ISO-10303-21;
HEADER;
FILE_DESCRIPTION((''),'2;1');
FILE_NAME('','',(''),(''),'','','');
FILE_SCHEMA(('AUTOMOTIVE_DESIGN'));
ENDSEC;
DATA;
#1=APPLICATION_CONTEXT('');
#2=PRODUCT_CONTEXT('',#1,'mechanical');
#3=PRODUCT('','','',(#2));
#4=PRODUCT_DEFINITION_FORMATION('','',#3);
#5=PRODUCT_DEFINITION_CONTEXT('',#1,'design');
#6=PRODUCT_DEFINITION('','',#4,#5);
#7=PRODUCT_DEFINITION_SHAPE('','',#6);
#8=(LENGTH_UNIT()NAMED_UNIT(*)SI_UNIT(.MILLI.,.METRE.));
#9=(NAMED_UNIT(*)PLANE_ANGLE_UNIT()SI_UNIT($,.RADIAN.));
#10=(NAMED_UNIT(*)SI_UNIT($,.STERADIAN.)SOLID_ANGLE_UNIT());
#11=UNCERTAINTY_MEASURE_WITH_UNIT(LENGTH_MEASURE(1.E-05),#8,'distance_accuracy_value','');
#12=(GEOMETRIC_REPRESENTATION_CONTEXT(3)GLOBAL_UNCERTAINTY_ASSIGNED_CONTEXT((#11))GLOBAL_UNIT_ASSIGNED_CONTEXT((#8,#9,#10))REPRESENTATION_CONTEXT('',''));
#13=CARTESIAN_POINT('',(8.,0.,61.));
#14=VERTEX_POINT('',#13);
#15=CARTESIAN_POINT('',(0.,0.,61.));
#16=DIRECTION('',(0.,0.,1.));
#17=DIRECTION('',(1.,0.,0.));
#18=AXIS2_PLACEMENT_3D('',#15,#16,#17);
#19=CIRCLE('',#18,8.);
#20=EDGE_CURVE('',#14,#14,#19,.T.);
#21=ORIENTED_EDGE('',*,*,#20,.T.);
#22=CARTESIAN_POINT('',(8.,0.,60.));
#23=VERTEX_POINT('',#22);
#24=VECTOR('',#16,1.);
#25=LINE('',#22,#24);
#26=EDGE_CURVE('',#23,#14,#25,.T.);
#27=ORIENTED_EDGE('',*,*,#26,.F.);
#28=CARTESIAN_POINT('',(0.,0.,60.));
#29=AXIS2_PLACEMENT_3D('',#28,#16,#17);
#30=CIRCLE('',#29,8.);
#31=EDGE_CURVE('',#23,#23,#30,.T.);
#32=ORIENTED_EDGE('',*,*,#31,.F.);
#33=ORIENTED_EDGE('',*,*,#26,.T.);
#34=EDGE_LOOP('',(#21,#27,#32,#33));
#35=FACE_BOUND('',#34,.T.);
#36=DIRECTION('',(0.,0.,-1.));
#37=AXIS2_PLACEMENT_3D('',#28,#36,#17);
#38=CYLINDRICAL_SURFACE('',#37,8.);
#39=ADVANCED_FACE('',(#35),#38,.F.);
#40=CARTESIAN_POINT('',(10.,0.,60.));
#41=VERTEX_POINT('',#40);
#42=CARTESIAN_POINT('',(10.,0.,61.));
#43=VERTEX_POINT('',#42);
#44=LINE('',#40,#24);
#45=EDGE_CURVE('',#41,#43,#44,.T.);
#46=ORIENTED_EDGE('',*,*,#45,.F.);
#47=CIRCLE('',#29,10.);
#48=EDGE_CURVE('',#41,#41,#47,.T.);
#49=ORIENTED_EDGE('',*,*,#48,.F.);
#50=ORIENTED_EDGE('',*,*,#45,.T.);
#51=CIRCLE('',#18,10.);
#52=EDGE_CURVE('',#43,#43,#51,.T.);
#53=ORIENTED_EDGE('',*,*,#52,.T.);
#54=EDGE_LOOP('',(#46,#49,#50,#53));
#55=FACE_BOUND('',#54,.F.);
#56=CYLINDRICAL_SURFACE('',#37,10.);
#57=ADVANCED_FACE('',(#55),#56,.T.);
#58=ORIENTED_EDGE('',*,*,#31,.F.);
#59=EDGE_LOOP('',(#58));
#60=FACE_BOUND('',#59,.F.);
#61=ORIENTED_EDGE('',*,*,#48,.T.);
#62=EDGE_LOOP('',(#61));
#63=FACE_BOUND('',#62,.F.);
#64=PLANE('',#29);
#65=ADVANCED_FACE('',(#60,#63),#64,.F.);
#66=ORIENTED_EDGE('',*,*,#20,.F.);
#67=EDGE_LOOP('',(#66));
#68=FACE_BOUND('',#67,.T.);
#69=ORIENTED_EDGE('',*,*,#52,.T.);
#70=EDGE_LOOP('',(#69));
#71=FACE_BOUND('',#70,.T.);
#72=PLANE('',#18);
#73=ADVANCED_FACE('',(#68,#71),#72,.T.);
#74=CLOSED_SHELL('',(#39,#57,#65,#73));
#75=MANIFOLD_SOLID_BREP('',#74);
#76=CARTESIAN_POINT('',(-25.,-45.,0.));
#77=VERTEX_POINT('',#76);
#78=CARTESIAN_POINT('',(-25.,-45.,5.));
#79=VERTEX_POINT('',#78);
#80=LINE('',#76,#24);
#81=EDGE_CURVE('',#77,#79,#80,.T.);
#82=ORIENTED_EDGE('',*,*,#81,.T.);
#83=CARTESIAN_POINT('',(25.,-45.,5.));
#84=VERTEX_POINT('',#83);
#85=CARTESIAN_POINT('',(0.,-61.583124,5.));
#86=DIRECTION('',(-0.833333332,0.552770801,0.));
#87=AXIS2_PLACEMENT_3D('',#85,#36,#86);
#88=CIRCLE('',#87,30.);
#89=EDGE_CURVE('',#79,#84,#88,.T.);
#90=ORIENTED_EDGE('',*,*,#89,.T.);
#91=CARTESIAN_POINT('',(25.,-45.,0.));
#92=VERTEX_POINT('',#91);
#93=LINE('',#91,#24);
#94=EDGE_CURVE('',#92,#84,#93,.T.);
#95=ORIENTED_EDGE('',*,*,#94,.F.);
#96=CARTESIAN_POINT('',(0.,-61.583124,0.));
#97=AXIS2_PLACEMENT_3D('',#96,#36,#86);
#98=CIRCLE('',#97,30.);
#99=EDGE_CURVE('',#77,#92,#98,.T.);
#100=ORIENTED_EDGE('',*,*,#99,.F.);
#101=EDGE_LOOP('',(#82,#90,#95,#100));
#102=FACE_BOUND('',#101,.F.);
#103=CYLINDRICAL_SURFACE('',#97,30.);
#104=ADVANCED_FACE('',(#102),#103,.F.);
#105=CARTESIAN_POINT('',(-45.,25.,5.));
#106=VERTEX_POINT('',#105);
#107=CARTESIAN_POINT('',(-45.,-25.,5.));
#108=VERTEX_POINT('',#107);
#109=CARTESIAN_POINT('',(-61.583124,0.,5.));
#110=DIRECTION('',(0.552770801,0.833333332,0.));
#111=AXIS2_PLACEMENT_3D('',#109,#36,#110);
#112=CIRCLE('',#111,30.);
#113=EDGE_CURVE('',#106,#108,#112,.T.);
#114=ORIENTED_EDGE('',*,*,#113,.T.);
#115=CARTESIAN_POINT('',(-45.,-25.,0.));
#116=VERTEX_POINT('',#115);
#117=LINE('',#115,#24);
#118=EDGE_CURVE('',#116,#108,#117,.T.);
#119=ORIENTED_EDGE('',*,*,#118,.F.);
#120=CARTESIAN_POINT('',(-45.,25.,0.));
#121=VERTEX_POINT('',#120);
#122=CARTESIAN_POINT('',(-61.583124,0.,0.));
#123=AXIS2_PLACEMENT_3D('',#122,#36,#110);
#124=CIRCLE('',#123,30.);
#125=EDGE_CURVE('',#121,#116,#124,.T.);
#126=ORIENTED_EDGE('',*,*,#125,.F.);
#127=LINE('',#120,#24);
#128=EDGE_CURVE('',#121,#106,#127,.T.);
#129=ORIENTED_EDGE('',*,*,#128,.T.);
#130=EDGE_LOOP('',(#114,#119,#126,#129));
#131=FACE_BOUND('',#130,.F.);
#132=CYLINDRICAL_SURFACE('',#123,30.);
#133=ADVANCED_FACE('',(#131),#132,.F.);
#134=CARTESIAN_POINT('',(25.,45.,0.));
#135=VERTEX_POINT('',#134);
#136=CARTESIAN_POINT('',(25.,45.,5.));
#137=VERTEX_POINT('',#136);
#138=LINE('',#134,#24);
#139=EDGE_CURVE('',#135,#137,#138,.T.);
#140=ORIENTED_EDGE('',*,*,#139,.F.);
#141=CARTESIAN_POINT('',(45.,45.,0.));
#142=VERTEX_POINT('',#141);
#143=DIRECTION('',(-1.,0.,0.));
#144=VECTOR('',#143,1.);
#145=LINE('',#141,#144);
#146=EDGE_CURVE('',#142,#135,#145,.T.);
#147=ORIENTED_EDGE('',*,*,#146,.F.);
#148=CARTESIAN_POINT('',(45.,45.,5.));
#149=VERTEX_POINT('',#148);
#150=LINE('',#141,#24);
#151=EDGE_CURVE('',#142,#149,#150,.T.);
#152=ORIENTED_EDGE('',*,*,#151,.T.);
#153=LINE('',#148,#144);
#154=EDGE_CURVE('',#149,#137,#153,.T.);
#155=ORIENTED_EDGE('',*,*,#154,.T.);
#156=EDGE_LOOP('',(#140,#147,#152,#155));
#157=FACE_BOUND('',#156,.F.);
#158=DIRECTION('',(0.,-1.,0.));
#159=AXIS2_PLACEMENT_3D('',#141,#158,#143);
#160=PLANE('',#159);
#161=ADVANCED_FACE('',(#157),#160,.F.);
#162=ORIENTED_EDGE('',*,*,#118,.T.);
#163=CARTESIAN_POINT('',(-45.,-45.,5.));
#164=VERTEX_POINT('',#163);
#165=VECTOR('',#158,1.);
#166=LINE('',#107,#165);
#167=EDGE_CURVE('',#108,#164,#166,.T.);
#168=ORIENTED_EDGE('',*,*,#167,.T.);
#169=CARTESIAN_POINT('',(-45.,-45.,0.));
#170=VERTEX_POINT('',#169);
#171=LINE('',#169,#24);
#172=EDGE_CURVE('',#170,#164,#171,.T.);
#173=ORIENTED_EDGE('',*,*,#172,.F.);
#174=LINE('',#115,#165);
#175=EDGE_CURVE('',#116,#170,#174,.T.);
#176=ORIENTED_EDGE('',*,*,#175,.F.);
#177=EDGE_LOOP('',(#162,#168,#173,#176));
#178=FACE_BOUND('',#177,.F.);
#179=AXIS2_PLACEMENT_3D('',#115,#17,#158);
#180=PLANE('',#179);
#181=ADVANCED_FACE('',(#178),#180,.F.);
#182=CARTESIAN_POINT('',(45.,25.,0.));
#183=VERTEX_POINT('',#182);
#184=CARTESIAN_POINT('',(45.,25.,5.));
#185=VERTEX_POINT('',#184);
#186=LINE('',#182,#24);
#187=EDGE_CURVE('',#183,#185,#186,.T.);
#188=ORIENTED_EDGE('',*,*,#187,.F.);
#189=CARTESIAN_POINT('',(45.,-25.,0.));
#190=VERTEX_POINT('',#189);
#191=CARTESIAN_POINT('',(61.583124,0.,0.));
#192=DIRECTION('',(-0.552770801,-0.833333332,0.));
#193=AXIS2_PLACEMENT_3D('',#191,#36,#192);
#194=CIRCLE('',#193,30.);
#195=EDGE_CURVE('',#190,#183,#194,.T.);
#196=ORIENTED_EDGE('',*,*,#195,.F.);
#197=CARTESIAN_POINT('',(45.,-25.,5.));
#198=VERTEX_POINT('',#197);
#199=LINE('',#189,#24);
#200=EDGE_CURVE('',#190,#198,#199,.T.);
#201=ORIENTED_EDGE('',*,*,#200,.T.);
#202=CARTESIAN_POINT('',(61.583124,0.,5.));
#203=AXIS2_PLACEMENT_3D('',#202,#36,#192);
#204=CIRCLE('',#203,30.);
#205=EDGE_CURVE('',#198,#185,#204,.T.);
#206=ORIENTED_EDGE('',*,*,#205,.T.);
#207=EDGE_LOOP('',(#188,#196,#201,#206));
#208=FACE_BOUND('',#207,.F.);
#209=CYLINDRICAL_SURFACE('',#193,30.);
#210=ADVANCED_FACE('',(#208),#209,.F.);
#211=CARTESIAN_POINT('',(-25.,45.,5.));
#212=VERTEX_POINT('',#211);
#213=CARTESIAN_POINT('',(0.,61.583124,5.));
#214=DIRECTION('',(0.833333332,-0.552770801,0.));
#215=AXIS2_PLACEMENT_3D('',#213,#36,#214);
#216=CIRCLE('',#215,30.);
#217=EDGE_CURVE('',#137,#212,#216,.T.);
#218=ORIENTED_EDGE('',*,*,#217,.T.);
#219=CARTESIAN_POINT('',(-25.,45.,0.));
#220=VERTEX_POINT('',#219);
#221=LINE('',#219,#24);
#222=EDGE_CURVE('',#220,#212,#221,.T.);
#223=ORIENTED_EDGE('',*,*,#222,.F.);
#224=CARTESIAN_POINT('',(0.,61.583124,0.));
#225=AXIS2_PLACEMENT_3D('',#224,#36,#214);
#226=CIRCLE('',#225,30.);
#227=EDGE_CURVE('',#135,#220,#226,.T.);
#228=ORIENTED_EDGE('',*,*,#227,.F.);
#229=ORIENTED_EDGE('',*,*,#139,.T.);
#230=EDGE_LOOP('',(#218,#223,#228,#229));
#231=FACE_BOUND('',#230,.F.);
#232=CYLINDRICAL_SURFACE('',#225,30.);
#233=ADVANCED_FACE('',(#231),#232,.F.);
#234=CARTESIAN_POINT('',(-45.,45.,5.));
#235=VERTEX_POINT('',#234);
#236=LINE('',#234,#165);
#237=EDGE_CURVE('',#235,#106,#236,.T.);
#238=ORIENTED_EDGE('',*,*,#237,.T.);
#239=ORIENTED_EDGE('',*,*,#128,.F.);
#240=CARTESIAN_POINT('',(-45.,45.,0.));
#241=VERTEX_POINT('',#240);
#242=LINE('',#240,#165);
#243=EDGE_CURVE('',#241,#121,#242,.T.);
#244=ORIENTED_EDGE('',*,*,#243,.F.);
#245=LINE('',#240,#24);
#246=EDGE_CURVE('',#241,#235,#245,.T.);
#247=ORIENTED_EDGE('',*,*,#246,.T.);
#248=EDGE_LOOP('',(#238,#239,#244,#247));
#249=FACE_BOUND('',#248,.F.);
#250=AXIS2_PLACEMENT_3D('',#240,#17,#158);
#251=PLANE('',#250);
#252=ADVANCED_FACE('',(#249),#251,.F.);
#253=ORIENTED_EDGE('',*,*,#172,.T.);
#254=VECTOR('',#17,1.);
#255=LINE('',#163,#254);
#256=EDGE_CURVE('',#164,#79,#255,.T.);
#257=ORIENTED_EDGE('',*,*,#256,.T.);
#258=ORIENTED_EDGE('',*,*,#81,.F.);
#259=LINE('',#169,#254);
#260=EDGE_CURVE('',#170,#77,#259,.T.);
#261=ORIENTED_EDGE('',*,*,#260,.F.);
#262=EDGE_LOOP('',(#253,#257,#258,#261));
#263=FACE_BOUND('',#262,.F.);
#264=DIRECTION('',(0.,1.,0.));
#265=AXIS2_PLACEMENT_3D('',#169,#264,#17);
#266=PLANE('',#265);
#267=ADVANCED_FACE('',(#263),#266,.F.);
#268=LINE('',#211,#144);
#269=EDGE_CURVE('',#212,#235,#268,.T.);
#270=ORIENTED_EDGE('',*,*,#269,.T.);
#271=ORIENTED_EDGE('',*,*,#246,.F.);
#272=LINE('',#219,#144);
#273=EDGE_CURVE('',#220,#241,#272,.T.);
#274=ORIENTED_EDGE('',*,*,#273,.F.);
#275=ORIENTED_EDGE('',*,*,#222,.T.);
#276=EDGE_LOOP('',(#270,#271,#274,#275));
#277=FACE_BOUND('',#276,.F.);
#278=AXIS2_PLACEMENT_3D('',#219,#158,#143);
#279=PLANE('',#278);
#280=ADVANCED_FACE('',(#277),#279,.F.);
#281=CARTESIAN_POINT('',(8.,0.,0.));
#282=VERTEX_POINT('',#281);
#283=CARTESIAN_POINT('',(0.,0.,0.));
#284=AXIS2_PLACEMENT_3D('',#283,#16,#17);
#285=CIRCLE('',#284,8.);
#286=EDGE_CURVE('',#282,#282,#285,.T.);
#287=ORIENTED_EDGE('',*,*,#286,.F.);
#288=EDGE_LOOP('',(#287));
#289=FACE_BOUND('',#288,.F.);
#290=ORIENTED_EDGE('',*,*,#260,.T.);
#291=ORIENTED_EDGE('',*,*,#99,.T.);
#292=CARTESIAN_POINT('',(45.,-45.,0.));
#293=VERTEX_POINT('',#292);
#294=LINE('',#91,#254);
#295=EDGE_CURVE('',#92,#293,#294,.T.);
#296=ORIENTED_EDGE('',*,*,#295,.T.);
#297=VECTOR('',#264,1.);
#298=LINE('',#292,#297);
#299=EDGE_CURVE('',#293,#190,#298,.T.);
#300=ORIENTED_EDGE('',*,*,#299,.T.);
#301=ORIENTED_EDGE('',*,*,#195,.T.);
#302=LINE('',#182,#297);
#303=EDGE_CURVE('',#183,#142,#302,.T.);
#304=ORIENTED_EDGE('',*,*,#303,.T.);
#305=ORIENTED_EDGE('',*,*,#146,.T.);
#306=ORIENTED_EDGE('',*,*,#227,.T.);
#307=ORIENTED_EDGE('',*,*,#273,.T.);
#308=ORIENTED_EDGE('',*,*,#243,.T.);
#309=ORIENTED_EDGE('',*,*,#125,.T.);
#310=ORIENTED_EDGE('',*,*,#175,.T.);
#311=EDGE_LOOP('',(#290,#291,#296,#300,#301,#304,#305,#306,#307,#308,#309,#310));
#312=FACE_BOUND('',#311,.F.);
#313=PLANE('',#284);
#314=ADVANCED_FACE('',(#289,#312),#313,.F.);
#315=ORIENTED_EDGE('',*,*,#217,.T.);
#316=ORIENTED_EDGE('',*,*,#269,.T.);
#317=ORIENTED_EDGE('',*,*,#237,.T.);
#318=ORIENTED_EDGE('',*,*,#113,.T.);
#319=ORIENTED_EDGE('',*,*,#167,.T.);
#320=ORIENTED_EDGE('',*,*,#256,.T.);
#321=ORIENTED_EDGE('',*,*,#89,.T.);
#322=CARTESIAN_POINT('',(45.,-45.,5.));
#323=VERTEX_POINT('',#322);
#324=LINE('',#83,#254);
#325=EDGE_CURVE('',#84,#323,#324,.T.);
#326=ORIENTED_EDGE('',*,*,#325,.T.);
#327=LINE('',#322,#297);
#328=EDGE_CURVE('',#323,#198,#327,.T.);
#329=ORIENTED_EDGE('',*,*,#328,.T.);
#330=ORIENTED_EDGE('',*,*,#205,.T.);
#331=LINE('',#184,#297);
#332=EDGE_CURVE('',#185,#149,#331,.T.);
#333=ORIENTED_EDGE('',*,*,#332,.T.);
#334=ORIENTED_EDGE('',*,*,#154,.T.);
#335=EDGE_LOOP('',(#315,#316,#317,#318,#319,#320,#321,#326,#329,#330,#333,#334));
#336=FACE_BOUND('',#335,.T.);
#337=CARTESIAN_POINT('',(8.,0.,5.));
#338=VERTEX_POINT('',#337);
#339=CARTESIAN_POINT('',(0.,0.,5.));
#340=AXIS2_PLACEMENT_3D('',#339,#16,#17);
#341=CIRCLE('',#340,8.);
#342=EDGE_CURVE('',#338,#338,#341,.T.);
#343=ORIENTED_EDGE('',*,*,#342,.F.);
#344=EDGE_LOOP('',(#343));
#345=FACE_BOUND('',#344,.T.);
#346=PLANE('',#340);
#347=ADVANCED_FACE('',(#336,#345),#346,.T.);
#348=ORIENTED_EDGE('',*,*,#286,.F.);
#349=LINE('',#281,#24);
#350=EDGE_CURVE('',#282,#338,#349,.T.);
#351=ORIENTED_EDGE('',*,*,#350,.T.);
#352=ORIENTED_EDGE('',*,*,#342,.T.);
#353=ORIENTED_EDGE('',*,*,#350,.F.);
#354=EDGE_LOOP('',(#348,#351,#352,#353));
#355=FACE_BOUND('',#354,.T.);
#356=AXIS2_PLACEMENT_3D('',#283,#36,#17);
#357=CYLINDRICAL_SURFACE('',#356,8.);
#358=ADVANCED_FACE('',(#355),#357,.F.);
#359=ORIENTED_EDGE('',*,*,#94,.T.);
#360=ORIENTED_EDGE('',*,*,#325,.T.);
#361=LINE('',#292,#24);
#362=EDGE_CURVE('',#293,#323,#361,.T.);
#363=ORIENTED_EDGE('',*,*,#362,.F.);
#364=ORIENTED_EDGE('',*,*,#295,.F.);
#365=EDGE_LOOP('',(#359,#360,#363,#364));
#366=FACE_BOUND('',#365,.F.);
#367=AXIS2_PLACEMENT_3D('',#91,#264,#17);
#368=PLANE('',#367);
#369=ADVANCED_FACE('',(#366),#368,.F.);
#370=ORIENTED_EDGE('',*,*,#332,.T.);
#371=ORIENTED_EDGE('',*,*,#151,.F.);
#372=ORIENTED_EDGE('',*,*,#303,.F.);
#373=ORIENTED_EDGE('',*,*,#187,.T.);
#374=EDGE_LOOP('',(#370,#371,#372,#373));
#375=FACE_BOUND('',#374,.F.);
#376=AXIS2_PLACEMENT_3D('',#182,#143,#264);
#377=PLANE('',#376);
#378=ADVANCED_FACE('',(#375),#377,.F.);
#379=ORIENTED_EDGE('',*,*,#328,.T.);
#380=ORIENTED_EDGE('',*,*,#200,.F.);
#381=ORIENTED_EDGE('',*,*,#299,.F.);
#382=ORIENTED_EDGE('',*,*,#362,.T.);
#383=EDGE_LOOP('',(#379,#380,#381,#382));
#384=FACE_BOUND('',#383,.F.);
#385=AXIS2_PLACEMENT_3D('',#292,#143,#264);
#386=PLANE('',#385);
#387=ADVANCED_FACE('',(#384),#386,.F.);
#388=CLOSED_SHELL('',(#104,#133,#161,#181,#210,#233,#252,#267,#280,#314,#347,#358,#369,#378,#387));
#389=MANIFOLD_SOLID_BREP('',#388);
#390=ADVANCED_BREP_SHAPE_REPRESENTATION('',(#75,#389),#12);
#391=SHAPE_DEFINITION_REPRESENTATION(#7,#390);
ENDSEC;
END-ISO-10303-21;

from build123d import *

# Parameters (mm, degrees)
F0_R     = 8
F3_DEPTH = 5
F2_R     = 10
F2_R_2   = 8
F4_DEPTH = 1


with BuildPart() as f3:
    # F0 (on Top) → F3 (new body)
    with BuildSketch(Plane.XY):
        with BuildLine():
            Line((25, -45), (45, -45))
            Line((45, -45), (45, -25))
            ThreePointArc((45, -25), (31.583124, 0), (45, 25))
            Line((45, 25), (45, 45))
            Line((45, 45), (25, 45))
            ThreePointArc((25, 45), (0, 31.583124), (-25, 45))
            Line((-25, 45), (-45, 45))
            Line((-45, 45), (-45, 25))
            ThreePointArc((-45, 25), (-31.583124, 0), (-45, -25))
            Line((-45, -25), (-45, -45))
            Line((-45, -45), (-25, -45))
            ThreePointArc((-25, -45), (0, -31.583124), (25, -45))
        make_face()
        Circle(F0_R, mode=Mode.SUBTRACT)
    extrude(amount=F3_DEPTH)


with BuildPart() as f4:
    # F2 (on offset) → F4 (new body)
    with BuildSketch(Plane.XY.offset(60)):
        Circle(F2_R)
        Circle(F2_R_2, mode=Mode.SUBTRACT)
    extrude(amount=F4_DEPTH)


solid = Compound([f3.part, f4.part])
